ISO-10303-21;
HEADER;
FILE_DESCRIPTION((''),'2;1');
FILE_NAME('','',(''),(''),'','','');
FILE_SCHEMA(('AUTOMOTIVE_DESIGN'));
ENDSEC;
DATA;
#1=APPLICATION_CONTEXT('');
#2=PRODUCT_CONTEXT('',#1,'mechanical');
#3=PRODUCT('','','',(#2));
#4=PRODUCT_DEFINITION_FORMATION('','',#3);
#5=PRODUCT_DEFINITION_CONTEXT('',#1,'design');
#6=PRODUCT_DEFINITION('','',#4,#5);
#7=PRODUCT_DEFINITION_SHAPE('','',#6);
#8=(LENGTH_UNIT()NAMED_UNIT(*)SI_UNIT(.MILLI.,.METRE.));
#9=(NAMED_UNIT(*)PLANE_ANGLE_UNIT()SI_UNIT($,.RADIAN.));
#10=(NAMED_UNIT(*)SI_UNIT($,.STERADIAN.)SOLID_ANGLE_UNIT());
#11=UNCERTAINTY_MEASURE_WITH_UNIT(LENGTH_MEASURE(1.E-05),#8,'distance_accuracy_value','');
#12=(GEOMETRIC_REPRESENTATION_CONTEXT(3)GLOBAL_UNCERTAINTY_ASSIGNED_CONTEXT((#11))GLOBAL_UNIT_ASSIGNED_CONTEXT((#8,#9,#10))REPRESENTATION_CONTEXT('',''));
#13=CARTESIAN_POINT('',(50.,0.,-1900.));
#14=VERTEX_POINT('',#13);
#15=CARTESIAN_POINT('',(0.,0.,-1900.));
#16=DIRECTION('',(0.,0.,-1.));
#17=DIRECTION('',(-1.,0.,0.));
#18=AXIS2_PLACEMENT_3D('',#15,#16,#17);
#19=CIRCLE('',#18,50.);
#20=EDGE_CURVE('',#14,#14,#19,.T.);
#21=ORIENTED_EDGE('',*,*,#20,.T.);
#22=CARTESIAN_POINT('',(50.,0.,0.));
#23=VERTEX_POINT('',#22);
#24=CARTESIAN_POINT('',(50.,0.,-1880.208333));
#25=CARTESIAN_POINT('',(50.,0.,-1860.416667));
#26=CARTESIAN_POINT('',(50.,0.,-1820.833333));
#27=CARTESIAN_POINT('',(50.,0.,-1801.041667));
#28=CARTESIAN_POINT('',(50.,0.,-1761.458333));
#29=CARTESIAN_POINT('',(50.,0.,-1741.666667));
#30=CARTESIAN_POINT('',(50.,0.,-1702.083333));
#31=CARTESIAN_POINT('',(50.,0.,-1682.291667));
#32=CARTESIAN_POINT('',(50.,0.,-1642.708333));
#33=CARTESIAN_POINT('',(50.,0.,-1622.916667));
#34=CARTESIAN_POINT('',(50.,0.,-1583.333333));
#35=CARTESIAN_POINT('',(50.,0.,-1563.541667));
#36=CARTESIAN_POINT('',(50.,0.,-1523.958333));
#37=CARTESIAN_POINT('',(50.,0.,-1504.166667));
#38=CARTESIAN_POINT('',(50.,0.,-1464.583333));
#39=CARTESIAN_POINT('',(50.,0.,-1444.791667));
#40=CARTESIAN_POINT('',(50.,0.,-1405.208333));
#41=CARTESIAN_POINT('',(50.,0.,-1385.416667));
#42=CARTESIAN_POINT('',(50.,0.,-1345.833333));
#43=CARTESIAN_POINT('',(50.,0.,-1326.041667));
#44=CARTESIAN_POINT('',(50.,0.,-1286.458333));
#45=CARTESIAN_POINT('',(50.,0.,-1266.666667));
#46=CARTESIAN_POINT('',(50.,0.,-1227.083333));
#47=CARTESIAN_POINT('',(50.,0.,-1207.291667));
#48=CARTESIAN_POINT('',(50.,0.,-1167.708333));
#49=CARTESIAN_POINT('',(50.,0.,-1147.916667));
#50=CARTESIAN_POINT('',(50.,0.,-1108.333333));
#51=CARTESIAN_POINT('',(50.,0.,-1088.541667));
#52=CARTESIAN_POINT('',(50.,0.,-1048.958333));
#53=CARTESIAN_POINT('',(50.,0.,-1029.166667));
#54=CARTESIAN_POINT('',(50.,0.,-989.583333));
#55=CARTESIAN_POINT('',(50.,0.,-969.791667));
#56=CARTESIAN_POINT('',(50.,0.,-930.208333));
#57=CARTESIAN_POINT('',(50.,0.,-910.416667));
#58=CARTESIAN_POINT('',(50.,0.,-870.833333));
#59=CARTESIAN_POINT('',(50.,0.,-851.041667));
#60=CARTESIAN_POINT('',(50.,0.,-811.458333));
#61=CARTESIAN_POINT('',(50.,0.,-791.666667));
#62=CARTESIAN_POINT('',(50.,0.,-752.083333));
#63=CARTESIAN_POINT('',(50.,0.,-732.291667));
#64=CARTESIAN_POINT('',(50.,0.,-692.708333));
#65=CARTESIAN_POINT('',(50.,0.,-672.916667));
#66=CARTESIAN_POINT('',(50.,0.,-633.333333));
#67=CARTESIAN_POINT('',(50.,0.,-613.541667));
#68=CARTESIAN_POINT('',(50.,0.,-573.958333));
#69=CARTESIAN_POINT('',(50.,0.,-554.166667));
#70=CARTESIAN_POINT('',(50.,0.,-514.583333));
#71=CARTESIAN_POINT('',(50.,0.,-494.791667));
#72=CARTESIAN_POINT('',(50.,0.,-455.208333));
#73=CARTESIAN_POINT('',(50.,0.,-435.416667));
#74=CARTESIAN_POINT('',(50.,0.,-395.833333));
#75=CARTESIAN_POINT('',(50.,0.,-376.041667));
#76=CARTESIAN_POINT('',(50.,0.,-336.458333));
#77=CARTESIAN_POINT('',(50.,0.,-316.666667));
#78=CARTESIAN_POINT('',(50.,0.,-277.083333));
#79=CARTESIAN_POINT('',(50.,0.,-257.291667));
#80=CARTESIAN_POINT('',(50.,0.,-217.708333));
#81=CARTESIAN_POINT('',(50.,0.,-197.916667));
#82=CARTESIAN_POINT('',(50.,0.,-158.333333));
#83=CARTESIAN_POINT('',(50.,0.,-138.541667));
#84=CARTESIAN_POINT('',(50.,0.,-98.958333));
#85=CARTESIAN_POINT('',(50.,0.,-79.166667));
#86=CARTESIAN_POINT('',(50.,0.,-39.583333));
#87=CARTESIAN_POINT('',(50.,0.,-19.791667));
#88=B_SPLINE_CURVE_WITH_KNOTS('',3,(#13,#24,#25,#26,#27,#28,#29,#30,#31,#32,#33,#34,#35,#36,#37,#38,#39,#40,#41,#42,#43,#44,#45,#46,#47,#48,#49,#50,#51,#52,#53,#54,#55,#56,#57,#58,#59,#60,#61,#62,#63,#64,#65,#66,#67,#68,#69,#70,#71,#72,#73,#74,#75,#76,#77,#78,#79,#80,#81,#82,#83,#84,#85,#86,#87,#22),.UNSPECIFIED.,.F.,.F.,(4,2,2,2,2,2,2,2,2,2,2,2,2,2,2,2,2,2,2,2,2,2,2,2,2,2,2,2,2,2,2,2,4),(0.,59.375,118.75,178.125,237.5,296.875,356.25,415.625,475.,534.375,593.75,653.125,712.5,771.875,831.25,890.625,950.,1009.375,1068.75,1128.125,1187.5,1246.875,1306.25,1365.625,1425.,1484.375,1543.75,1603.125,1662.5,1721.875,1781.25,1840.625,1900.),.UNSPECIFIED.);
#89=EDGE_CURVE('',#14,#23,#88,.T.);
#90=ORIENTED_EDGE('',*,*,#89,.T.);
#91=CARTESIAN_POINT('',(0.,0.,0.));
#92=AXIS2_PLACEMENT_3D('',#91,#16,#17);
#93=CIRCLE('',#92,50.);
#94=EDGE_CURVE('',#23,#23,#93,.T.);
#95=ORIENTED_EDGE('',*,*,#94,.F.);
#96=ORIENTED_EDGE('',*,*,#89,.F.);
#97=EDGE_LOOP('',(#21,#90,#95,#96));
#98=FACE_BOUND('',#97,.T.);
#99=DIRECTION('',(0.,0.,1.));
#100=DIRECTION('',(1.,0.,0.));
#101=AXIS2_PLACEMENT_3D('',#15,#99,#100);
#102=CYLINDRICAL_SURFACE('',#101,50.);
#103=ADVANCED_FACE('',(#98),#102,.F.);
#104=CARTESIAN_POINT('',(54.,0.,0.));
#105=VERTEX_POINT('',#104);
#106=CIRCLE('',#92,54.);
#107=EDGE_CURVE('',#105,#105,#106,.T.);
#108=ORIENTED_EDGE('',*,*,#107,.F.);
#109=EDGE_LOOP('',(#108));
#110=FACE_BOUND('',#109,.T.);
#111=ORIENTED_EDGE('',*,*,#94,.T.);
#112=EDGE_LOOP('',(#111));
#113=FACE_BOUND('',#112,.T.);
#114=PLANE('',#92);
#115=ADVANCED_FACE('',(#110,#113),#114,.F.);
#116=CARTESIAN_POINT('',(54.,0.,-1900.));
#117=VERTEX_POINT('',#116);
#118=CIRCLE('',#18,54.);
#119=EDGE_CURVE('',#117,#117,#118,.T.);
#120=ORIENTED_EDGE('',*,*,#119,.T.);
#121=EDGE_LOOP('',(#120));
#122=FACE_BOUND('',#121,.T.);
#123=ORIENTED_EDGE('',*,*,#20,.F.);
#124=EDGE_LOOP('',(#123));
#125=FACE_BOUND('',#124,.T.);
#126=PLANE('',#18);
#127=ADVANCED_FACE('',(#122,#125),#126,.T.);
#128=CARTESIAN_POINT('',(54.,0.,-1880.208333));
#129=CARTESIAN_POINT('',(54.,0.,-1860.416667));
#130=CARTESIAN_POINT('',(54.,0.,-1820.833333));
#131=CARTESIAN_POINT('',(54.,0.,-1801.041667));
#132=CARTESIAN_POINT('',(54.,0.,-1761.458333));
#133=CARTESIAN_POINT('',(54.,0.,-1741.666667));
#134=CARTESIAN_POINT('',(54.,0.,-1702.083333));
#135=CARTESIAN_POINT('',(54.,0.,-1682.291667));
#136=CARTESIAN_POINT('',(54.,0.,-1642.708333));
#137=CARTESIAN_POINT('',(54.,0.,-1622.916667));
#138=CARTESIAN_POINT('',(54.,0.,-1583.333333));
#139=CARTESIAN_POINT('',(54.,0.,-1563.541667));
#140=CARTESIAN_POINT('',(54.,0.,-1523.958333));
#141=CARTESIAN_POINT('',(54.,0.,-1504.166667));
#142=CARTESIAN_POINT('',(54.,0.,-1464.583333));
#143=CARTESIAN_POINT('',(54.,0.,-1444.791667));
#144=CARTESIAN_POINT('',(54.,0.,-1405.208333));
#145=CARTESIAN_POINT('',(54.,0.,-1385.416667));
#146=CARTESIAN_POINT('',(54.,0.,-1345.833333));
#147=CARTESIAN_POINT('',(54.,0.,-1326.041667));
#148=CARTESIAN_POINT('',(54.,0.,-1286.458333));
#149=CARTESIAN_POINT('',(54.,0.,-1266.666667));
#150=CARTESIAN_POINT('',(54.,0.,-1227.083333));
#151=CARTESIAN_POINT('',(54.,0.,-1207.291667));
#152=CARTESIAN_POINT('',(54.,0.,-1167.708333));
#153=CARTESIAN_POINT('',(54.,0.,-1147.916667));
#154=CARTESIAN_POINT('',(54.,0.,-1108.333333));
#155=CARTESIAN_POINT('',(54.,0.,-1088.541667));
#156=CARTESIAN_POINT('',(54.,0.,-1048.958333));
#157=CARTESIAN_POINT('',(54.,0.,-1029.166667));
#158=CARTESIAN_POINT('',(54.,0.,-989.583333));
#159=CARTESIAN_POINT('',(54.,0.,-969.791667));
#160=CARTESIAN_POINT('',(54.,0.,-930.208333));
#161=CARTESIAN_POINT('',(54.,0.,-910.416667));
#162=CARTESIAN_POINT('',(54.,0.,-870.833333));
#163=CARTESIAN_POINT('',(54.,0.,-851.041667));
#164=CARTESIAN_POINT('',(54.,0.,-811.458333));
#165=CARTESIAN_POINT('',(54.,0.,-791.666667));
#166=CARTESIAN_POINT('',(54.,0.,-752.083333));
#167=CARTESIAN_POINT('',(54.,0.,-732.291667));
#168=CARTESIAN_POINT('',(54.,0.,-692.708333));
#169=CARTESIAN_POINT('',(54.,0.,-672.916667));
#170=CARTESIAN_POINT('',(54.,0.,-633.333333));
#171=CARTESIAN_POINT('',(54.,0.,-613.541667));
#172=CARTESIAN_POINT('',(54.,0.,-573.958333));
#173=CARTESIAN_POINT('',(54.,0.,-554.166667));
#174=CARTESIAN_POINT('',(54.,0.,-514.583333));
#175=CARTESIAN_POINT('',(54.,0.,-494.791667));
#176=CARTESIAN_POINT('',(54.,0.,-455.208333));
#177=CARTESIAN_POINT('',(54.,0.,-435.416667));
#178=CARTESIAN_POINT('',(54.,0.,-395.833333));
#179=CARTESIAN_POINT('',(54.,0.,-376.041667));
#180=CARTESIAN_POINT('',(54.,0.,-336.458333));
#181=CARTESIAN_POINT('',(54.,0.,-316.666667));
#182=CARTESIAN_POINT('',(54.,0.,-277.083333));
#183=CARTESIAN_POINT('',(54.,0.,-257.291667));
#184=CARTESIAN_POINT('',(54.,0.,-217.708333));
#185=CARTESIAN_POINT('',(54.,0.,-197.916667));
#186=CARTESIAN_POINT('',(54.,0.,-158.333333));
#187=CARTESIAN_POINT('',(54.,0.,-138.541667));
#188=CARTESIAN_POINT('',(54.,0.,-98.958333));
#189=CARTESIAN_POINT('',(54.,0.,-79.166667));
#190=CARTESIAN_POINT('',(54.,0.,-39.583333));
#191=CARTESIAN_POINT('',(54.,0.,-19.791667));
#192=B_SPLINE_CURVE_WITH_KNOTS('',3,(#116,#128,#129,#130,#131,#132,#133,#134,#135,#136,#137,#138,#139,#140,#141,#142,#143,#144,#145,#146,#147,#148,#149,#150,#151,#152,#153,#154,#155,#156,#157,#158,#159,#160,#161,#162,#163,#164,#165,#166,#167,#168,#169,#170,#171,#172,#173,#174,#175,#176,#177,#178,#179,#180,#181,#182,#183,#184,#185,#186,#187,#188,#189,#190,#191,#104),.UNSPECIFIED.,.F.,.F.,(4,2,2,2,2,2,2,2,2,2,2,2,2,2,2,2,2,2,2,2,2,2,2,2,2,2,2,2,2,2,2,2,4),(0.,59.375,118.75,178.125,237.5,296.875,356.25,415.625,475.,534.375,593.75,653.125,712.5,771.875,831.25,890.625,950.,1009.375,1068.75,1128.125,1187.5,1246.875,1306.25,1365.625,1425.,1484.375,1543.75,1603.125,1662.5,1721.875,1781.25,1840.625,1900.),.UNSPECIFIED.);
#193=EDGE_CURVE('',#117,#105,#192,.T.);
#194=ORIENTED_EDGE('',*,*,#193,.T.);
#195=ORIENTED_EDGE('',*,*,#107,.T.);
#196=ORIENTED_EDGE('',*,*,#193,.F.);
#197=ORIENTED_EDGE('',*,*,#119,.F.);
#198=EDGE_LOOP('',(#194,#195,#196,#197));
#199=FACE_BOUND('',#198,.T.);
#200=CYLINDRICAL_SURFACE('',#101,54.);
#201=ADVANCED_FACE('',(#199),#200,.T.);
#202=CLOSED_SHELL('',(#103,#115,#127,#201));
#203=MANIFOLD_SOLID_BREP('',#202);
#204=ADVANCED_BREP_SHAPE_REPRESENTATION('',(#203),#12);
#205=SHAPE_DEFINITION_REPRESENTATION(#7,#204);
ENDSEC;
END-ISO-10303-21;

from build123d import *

# Parameters (mm, degrees)
SKETCH1_R              = 54
SKETCH1_R_2            = 50
MEMBER_108_X_4_1_DEPTH = 1900


with BuildPart() as part:
    # Sketch1 → Member 108 X 4_1 (new body)
    with BuildSketch(Plane.YX):
        Circle(SKETCH1_R)
        Circle(SKETCH1_R_2, mode=Mode.SUBTRACT)
    extrude(amount=MEMBER_108_X_4_1_DEPTH)


solid = part.part
